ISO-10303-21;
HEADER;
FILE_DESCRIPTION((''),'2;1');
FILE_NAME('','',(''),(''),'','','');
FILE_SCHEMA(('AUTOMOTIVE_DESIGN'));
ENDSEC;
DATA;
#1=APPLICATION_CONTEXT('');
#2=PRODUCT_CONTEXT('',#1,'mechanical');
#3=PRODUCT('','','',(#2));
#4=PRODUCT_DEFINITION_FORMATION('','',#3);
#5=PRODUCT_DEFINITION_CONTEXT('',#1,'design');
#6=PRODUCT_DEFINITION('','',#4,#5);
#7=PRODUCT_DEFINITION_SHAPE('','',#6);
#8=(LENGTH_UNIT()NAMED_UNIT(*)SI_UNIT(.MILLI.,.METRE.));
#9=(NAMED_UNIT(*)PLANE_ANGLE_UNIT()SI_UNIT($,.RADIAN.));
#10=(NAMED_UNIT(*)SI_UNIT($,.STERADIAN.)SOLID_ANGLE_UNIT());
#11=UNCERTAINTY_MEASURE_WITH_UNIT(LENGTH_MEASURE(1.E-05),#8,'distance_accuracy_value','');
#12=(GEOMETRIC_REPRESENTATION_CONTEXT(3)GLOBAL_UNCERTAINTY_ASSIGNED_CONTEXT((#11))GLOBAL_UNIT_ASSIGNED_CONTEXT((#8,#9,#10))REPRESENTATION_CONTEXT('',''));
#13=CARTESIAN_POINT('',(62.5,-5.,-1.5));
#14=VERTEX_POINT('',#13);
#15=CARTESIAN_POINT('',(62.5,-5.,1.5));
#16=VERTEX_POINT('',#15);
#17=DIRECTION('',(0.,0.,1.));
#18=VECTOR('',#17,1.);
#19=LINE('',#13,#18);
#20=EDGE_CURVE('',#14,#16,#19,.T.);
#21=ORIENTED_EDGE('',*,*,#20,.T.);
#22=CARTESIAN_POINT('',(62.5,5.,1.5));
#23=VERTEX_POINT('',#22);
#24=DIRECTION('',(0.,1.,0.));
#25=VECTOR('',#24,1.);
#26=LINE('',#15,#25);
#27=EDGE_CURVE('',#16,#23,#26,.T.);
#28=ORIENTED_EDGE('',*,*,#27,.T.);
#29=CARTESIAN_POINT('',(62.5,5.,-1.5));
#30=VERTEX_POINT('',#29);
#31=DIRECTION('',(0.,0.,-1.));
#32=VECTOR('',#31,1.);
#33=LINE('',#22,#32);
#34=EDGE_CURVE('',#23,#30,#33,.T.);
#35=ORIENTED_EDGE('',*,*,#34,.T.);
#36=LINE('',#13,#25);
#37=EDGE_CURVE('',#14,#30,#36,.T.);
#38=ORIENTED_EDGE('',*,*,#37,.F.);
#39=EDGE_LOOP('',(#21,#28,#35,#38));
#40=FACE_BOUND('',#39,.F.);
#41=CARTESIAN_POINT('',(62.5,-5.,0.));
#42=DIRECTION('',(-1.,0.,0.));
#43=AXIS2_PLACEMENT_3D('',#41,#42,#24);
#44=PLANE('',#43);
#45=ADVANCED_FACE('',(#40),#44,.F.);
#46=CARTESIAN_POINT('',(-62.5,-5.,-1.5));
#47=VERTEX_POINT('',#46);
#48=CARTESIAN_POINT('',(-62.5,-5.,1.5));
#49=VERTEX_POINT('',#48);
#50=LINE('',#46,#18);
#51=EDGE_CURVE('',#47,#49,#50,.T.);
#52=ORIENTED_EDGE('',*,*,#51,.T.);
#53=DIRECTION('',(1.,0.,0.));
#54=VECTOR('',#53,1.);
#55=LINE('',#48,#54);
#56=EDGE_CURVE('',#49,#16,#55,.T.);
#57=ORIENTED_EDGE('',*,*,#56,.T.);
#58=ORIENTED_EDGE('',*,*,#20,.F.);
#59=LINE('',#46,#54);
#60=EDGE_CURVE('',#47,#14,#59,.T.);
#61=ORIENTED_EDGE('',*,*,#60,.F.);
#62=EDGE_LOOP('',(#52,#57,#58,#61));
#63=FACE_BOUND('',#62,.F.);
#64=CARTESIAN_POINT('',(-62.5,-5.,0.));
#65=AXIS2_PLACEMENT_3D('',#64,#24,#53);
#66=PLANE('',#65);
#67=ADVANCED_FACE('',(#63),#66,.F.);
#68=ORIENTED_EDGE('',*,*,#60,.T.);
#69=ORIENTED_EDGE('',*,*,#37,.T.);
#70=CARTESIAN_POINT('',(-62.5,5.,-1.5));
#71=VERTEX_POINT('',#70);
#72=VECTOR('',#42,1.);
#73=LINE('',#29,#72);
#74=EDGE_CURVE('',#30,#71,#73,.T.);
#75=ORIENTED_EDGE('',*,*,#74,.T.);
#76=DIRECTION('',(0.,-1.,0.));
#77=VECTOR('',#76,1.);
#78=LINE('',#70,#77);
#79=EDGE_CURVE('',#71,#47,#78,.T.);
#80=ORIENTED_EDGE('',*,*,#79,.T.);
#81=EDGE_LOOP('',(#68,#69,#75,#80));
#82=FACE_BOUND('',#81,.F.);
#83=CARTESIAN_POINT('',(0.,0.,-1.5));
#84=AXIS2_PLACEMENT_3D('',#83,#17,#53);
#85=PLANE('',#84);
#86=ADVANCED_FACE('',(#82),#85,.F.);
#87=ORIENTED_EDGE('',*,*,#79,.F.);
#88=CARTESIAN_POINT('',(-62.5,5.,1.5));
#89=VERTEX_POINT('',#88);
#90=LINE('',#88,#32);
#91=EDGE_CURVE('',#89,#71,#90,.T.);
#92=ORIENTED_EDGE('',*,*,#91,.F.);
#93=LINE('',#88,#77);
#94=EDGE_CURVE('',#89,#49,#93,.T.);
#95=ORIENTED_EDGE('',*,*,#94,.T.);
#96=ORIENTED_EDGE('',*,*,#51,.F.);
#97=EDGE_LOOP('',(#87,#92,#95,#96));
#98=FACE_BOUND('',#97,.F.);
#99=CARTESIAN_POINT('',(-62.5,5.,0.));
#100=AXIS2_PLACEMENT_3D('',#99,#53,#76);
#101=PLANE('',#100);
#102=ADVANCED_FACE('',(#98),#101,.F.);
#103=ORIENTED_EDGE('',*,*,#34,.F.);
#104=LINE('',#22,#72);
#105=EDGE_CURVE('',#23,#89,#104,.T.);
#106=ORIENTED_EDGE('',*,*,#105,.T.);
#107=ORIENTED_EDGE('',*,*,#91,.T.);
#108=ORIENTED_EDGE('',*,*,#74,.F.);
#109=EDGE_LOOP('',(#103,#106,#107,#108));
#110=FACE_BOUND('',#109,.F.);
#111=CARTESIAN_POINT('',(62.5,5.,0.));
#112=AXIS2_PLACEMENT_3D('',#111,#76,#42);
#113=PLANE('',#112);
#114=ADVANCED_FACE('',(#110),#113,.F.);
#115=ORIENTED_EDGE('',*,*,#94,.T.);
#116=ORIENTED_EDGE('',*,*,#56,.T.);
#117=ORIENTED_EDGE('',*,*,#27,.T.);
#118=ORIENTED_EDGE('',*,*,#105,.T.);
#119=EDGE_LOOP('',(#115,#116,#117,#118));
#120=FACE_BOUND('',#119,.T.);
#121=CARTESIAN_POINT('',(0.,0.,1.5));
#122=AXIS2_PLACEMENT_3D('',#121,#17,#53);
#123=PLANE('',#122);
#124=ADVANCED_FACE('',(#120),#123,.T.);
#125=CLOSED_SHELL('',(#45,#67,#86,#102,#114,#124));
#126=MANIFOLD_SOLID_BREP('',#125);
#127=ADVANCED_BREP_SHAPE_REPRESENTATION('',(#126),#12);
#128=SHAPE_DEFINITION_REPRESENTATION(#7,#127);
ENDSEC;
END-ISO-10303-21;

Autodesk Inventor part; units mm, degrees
ref_plane "YZ Plane" through (0, 0, 0) normal (1, 0, 0) x (0, 1, 0)
ref_plane "XZ Plane" through (0, 0, 0) normal (0, 1, 0) x (-1, 0, 0)
ref_plane "XY Plane" through (0, 0, 0) normal (0, 0, 1) x (1, 0, 0)
sketch "草圖1" plane through (0, 0, 0) normal (0, 0, 1) x (1, 0, 0)
  line L0 (0, 0) -> (-46.9602, 0) construction
  line L1 (0, 0) -> (0, 45.4619) construction
  line L2 (-62.5, -5) -> (62.5, -5)
  line L3 (62.5, -5) -> (62.5, 5)
  line L4 (62.5, 5) -> (-62.5, 5)
  line L5 (-62.5, 5) -> (-62.5, -5)
  line L6 (-62.5, -5) -> (62.5, 5) construction
  line L7 (62.5, -5) -> (-62.5, 5) construction
  dimension "d0" = 10
  dimension "d1" = 125
extrude "擠出1" add sketch "草圖1" along normal mid plane 3
properties part number "0 零件" material "橡膠"
